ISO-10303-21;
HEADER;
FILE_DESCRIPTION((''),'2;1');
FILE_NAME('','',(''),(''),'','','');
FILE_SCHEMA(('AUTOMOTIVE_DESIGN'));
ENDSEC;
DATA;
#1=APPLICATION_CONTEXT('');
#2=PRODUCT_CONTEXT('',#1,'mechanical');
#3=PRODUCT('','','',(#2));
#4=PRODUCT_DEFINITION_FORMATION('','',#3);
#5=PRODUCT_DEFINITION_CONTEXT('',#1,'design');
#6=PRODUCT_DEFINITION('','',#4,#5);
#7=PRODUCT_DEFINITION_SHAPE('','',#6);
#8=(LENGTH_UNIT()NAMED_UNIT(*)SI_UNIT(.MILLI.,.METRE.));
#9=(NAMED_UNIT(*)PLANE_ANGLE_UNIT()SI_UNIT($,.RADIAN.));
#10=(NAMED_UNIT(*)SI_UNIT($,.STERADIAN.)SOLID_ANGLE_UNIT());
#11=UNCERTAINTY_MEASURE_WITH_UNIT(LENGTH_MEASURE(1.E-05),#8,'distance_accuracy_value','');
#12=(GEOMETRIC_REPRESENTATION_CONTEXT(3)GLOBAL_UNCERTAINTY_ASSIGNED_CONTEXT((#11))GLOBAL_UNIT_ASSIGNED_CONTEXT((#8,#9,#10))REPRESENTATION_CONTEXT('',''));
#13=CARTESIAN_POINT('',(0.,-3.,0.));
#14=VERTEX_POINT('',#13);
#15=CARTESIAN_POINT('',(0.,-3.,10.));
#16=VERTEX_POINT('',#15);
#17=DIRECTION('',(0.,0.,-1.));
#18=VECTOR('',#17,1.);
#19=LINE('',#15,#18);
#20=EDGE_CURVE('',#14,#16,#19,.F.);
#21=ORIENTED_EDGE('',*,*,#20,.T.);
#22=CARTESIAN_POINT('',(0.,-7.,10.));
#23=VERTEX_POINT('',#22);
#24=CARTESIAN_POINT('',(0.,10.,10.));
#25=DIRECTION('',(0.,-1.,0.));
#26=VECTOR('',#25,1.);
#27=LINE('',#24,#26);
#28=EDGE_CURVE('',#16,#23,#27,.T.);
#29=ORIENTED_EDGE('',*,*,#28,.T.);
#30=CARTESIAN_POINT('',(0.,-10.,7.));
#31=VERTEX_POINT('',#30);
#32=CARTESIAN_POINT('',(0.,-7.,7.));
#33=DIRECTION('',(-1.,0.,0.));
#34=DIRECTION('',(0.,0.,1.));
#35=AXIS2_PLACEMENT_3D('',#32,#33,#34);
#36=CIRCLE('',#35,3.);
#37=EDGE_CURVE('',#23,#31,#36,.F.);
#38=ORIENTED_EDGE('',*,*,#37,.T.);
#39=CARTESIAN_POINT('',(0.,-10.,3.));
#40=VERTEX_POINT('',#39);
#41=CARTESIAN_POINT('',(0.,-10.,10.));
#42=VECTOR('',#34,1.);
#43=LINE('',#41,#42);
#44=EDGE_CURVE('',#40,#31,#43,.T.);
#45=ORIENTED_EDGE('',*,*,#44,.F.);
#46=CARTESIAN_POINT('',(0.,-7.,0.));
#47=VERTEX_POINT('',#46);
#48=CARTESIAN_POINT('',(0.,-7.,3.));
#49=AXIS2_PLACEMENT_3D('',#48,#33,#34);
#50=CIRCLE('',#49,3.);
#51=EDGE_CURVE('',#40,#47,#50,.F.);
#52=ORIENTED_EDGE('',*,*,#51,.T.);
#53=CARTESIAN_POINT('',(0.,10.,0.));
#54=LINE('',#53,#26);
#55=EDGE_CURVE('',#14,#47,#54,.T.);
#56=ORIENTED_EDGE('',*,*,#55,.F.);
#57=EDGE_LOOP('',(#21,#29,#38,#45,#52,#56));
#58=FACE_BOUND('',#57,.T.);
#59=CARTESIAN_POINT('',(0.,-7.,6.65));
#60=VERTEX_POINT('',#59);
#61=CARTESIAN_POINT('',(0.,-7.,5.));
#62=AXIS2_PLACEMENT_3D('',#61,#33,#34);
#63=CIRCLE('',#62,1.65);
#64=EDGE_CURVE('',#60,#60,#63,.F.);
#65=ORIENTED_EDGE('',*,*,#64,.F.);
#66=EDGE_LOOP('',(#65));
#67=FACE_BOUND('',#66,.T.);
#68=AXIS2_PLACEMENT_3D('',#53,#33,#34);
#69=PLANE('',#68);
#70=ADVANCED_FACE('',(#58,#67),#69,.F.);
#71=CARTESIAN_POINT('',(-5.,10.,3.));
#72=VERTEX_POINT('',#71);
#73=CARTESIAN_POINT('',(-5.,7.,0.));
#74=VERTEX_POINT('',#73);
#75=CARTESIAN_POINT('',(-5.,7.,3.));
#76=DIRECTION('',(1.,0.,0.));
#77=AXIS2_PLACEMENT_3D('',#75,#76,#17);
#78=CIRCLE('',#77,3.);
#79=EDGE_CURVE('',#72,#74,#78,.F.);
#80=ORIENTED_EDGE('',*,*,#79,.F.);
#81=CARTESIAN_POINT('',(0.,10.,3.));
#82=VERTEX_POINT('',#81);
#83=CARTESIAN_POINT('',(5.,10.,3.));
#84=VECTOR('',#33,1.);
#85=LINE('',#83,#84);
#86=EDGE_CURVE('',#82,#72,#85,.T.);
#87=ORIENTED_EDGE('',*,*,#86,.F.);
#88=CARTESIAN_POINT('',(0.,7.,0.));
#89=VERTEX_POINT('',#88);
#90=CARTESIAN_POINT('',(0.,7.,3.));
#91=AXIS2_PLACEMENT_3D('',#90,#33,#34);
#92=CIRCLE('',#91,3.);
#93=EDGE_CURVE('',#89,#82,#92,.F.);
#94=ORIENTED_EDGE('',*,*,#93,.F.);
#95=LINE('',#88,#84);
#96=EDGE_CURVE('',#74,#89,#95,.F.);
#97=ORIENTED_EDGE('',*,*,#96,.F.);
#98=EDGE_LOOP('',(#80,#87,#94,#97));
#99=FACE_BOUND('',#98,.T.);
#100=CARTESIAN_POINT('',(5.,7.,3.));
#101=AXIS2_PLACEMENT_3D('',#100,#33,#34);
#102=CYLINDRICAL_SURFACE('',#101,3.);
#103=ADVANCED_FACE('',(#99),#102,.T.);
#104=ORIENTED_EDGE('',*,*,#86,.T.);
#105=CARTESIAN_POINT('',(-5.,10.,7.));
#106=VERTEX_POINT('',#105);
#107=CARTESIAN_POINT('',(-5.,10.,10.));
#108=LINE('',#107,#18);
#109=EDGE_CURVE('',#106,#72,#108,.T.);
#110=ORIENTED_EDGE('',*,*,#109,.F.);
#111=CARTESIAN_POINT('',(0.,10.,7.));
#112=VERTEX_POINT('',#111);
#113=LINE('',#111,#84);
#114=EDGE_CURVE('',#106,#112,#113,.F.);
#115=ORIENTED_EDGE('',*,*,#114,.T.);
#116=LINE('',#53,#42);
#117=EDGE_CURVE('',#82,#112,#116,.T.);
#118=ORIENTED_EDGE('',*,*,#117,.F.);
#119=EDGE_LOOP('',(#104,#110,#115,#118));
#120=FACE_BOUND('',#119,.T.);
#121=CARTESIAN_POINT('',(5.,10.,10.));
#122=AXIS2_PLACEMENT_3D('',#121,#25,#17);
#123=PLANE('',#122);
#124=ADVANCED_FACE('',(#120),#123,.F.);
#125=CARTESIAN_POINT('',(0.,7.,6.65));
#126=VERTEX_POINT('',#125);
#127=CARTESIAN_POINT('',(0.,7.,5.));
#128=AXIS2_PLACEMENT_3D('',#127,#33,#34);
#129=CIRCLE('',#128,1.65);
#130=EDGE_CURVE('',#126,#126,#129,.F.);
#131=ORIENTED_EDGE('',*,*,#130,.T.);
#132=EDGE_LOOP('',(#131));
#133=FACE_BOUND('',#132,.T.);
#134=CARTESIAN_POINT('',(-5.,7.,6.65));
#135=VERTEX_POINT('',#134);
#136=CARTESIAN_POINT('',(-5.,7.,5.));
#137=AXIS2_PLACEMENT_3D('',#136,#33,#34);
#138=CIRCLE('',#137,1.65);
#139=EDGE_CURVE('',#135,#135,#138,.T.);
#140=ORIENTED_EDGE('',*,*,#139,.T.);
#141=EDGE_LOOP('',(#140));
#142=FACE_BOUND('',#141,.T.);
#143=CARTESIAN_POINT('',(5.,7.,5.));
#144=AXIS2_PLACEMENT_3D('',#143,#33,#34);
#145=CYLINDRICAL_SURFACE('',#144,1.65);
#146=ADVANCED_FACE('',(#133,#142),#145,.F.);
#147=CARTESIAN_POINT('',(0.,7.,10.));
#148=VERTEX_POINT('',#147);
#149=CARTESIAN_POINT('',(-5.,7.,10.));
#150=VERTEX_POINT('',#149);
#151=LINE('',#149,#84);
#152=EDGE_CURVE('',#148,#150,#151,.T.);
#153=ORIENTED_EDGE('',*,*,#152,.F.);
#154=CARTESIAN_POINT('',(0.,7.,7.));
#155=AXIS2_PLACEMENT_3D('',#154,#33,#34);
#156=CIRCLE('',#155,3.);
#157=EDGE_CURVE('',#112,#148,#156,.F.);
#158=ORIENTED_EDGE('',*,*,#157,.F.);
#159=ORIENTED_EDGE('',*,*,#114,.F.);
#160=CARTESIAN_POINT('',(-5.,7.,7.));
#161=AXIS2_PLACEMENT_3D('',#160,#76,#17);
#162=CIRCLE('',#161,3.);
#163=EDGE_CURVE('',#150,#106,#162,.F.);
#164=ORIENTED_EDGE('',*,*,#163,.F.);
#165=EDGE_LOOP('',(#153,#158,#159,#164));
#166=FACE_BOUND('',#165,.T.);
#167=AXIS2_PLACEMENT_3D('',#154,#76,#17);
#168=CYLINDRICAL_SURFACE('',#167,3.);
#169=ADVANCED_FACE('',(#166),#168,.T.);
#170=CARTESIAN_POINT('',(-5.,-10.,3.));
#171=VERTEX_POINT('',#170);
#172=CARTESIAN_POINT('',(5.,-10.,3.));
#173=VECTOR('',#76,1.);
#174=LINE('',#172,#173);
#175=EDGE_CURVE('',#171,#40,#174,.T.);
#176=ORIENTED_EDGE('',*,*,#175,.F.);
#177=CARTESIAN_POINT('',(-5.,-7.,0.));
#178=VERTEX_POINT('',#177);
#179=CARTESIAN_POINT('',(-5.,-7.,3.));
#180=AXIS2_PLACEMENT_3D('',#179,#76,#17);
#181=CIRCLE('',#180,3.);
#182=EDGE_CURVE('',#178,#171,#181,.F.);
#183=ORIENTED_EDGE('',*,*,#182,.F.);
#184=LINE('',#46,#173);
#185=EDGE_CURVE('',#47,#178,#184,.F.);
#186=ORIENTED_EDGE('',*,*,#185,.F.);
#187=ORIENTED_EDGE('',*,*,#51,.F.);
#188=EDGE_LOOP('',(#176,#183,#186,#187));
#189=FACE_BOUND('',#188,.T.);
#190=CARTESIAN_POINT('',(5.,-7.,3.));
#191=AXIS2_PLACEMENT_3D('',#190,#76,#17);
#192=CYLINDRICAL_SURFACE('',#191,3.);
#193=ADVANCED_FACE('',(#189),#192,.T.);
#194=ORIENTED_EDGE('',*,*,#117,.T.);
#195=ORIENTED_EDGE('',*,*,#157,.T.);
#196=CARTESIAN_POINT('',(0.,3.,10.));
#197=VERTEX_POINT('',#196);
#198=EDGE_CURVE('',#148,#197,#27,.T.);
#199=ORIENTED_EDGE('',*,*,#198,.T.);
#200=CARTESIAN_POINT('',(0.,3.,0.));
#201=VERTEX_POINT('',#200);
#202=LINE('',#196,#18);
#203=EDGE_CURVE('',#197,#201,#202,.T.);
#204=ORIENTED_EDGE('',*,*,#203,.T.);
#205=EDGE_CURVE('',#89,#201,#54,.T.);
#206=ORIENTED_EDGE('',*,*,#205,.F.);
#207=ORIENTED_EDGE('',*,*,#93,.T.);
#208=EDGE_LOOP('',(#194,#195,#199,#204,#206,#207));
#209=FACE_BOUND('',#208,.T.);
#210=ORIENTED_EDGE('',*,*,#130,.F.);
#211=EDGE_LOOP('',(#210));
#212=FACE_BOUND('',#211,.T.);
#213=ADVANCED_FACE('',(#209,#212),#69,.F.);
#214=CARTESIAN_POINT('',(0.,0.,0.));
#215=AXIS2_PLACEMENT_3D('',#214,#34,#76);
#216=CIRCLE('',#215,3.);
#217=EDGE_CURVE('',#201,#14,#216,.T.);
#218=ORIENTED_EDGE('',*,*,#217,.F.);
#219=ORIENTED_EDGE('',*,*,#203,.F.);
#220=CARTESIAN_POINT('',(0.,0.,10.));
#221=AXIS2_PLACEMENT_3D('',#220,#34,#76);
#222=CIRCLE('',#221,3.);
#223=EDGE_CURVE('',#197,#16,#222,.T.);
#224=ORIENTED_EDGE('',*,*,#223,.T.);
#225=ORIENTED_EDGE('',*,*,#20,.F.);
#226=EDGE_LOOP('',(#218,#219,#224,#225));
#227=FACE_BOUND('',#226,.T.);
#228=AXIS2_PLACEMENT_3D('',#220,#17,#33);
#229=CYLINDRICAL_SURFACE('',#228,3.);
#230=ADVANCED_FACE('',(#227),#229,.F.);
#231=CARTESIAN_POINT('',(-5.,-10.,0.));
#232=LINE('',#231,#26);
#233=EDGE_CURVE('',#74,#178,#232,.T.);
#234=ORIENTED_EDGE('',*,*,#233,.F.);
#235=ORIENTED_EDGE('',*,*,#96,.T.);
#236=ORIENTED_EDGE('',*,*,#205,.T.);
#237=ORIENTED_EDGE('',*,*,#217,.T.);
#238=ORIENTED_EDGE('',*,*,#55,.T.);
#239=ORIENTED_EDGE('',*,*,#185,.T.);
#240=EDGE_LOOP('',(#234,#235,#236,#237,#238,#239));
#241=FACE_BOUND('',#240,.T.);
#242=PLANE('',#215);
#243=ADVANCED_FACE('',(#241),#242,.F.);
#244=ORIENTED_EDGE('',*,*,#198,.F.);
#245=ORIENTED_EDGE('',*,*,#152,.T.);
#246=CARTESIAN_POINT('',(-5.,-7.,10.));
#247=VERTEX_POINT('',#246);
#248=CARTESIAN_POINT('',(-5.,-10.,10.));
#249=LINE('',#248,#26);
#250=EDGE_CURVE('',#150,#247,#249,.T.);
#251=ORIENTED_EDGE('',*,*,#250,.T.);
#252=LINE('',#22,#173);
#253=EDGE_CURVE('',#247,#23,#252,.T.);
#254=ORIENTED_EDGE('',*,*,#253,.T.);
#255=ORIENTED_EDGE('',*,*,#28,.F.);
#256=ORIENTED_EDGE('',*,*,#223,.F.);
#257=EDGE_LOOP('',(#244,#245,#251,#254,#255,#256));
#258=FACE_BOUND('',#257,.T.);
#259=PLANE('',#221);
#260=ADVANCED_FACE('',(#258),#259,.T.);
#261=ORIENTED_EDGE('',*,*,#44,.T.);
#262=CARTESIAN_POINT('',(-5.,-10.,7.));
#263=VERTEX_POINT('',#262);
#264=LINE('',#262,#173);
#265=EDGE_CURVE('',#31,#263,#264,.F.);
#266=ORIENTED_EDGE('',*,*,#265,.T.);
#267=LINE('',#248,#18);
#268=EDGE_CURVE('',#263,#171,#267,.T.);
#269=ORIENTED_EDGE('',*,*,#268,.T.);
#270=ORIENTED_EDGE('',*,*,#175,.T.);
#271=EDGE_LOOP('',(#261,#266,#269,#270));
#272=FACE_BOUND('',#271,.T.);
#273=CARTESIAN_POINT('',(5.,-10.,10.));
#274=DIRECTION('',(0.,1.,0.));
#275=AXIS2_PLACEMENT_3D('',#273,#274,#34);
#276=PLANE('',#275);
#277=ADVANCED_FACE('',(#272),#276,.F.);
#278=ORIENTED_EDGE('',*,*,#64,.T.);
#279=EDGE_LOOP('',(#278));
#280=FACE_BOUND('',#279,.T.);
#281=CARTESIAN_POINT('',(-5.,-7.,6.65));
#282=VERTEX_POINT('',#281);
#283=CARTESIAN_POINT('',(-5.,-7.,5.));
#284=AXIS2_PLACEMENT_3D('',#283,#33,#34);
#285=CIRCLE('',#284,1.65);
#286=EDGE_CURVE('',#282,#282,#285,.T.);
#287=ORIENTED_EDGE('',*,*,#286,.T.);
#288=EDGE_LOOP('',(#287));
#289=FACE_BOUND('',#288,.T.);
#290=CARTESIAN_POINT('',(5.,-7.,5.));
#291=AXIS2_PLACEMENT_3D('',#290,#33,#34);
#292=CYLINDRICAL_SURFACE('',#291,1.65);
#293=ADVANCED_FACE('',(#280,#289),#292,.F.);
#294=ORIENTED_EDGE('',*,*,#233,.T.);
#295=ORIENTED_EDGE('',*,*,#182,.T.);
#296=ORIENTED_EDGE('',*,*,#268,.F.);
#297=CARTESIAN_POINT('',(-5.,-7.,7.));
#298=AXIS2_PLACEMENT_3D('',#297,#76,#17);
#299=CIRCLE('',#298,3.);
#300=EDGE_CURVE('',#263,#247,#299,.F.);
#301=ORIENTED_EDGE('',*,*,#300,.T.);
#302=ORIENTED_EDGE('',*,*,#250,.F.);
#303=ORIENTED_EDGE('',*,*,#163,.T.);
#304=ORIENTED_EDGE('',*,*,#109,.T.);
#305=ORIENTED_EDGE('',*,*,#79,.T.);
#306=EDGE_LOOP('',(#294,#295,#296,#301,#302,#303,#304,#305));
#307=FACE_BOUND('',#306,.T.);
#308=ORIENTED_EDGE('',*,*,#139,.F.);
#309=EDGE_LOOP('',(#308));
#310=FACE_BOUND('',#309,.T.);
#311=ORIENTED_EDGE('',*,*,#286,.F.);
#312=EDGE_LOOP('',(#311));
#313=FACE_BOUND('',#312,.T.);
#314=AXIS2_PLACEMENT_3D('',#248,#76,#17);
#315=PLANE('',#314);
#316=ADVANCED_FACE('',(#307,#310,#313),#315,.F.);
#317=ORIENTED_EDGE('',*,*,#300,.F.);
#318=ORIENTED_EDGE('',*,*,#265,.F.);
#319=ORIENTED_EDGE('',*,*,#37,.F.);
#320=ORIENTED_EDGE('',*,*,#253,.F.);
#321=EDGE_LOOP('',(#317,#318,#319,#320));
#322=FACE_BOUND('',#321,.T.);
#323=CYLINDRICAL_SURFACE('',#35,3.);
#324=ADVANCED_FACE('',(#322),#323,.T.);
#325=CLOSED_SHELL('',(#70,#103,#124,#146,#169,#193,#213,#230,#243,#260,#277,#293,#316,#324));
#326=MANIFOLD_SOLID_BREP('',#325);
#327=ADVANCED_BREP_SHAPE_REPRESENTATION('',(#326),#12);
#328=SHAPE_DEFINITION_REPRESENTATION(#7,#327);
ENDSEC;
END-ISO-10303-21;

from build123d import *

# Parameters (mm, degrees)
SKETCH_1_W          = 10
SKETCH_1_H          = 20
SKETCH_1_R          = 3
EXTRUDE_1_DEPTH     = 10
SKETCH_2_R          = 1.65
CUT_EXTRUDE_1_DEPTH = 18.320508076
SKETCH_3_W          = 12.852703923
SKETCH_3_H          = 20.2795508
CUT_EXTRUDE_2_DEPTH = 16
FILLET_1_R          = 3


with BuildPart() as part:
    # 草圖1 → 填料-伸長1 (new body)
    with BuildSketch(Plane.XY):
        Rectangle(SKETCH_1_W, SKETCH_1_H)
        Circle(SKETCH_1_R, mode=Mode.SUBTRACT)
    extrude(amount=EXTRUDE_1_DEPTH)

    # 草圖2 → 除料-伸長1 (cut, through all)
    with BuildSketch(Plane.ZY.offset(5)):
        with Locations((5, 7)):
            Circle(SKETCH_2_R)
        with Locations((5, -7)):
            Circle(SKETCH_2_R)
    extrude(amount=-CUT_EXTRUDE_1_DEPTH, mode=Mode.SUBTRACT)

    # 草圖3 → 除料-伸長2 (cut, through all)
    with BuildSketch(Plane.XY.offset(10)):
        with Locations((6.426351961, -0.1397754)):
            Rectangle(SKETCH_3_W, SKETCH_3_H)
    extrude(amount=-CUT_EXTRUDE_2_DEPTH, mode=Mode.SUBTRACT)

    # 圓角1
    fillet_1_edges = [part.edges().sort_by_distance(p)[0] for p in [
        (-2.5, 10, 0),
        (-2.5, 10, 10),
        (-2.5, -10, 0),
        (-2.5, -10, 10),
    ]]
    fillet(fillet_1_edges, radius=FILLET_1_R)


solid = part.part
